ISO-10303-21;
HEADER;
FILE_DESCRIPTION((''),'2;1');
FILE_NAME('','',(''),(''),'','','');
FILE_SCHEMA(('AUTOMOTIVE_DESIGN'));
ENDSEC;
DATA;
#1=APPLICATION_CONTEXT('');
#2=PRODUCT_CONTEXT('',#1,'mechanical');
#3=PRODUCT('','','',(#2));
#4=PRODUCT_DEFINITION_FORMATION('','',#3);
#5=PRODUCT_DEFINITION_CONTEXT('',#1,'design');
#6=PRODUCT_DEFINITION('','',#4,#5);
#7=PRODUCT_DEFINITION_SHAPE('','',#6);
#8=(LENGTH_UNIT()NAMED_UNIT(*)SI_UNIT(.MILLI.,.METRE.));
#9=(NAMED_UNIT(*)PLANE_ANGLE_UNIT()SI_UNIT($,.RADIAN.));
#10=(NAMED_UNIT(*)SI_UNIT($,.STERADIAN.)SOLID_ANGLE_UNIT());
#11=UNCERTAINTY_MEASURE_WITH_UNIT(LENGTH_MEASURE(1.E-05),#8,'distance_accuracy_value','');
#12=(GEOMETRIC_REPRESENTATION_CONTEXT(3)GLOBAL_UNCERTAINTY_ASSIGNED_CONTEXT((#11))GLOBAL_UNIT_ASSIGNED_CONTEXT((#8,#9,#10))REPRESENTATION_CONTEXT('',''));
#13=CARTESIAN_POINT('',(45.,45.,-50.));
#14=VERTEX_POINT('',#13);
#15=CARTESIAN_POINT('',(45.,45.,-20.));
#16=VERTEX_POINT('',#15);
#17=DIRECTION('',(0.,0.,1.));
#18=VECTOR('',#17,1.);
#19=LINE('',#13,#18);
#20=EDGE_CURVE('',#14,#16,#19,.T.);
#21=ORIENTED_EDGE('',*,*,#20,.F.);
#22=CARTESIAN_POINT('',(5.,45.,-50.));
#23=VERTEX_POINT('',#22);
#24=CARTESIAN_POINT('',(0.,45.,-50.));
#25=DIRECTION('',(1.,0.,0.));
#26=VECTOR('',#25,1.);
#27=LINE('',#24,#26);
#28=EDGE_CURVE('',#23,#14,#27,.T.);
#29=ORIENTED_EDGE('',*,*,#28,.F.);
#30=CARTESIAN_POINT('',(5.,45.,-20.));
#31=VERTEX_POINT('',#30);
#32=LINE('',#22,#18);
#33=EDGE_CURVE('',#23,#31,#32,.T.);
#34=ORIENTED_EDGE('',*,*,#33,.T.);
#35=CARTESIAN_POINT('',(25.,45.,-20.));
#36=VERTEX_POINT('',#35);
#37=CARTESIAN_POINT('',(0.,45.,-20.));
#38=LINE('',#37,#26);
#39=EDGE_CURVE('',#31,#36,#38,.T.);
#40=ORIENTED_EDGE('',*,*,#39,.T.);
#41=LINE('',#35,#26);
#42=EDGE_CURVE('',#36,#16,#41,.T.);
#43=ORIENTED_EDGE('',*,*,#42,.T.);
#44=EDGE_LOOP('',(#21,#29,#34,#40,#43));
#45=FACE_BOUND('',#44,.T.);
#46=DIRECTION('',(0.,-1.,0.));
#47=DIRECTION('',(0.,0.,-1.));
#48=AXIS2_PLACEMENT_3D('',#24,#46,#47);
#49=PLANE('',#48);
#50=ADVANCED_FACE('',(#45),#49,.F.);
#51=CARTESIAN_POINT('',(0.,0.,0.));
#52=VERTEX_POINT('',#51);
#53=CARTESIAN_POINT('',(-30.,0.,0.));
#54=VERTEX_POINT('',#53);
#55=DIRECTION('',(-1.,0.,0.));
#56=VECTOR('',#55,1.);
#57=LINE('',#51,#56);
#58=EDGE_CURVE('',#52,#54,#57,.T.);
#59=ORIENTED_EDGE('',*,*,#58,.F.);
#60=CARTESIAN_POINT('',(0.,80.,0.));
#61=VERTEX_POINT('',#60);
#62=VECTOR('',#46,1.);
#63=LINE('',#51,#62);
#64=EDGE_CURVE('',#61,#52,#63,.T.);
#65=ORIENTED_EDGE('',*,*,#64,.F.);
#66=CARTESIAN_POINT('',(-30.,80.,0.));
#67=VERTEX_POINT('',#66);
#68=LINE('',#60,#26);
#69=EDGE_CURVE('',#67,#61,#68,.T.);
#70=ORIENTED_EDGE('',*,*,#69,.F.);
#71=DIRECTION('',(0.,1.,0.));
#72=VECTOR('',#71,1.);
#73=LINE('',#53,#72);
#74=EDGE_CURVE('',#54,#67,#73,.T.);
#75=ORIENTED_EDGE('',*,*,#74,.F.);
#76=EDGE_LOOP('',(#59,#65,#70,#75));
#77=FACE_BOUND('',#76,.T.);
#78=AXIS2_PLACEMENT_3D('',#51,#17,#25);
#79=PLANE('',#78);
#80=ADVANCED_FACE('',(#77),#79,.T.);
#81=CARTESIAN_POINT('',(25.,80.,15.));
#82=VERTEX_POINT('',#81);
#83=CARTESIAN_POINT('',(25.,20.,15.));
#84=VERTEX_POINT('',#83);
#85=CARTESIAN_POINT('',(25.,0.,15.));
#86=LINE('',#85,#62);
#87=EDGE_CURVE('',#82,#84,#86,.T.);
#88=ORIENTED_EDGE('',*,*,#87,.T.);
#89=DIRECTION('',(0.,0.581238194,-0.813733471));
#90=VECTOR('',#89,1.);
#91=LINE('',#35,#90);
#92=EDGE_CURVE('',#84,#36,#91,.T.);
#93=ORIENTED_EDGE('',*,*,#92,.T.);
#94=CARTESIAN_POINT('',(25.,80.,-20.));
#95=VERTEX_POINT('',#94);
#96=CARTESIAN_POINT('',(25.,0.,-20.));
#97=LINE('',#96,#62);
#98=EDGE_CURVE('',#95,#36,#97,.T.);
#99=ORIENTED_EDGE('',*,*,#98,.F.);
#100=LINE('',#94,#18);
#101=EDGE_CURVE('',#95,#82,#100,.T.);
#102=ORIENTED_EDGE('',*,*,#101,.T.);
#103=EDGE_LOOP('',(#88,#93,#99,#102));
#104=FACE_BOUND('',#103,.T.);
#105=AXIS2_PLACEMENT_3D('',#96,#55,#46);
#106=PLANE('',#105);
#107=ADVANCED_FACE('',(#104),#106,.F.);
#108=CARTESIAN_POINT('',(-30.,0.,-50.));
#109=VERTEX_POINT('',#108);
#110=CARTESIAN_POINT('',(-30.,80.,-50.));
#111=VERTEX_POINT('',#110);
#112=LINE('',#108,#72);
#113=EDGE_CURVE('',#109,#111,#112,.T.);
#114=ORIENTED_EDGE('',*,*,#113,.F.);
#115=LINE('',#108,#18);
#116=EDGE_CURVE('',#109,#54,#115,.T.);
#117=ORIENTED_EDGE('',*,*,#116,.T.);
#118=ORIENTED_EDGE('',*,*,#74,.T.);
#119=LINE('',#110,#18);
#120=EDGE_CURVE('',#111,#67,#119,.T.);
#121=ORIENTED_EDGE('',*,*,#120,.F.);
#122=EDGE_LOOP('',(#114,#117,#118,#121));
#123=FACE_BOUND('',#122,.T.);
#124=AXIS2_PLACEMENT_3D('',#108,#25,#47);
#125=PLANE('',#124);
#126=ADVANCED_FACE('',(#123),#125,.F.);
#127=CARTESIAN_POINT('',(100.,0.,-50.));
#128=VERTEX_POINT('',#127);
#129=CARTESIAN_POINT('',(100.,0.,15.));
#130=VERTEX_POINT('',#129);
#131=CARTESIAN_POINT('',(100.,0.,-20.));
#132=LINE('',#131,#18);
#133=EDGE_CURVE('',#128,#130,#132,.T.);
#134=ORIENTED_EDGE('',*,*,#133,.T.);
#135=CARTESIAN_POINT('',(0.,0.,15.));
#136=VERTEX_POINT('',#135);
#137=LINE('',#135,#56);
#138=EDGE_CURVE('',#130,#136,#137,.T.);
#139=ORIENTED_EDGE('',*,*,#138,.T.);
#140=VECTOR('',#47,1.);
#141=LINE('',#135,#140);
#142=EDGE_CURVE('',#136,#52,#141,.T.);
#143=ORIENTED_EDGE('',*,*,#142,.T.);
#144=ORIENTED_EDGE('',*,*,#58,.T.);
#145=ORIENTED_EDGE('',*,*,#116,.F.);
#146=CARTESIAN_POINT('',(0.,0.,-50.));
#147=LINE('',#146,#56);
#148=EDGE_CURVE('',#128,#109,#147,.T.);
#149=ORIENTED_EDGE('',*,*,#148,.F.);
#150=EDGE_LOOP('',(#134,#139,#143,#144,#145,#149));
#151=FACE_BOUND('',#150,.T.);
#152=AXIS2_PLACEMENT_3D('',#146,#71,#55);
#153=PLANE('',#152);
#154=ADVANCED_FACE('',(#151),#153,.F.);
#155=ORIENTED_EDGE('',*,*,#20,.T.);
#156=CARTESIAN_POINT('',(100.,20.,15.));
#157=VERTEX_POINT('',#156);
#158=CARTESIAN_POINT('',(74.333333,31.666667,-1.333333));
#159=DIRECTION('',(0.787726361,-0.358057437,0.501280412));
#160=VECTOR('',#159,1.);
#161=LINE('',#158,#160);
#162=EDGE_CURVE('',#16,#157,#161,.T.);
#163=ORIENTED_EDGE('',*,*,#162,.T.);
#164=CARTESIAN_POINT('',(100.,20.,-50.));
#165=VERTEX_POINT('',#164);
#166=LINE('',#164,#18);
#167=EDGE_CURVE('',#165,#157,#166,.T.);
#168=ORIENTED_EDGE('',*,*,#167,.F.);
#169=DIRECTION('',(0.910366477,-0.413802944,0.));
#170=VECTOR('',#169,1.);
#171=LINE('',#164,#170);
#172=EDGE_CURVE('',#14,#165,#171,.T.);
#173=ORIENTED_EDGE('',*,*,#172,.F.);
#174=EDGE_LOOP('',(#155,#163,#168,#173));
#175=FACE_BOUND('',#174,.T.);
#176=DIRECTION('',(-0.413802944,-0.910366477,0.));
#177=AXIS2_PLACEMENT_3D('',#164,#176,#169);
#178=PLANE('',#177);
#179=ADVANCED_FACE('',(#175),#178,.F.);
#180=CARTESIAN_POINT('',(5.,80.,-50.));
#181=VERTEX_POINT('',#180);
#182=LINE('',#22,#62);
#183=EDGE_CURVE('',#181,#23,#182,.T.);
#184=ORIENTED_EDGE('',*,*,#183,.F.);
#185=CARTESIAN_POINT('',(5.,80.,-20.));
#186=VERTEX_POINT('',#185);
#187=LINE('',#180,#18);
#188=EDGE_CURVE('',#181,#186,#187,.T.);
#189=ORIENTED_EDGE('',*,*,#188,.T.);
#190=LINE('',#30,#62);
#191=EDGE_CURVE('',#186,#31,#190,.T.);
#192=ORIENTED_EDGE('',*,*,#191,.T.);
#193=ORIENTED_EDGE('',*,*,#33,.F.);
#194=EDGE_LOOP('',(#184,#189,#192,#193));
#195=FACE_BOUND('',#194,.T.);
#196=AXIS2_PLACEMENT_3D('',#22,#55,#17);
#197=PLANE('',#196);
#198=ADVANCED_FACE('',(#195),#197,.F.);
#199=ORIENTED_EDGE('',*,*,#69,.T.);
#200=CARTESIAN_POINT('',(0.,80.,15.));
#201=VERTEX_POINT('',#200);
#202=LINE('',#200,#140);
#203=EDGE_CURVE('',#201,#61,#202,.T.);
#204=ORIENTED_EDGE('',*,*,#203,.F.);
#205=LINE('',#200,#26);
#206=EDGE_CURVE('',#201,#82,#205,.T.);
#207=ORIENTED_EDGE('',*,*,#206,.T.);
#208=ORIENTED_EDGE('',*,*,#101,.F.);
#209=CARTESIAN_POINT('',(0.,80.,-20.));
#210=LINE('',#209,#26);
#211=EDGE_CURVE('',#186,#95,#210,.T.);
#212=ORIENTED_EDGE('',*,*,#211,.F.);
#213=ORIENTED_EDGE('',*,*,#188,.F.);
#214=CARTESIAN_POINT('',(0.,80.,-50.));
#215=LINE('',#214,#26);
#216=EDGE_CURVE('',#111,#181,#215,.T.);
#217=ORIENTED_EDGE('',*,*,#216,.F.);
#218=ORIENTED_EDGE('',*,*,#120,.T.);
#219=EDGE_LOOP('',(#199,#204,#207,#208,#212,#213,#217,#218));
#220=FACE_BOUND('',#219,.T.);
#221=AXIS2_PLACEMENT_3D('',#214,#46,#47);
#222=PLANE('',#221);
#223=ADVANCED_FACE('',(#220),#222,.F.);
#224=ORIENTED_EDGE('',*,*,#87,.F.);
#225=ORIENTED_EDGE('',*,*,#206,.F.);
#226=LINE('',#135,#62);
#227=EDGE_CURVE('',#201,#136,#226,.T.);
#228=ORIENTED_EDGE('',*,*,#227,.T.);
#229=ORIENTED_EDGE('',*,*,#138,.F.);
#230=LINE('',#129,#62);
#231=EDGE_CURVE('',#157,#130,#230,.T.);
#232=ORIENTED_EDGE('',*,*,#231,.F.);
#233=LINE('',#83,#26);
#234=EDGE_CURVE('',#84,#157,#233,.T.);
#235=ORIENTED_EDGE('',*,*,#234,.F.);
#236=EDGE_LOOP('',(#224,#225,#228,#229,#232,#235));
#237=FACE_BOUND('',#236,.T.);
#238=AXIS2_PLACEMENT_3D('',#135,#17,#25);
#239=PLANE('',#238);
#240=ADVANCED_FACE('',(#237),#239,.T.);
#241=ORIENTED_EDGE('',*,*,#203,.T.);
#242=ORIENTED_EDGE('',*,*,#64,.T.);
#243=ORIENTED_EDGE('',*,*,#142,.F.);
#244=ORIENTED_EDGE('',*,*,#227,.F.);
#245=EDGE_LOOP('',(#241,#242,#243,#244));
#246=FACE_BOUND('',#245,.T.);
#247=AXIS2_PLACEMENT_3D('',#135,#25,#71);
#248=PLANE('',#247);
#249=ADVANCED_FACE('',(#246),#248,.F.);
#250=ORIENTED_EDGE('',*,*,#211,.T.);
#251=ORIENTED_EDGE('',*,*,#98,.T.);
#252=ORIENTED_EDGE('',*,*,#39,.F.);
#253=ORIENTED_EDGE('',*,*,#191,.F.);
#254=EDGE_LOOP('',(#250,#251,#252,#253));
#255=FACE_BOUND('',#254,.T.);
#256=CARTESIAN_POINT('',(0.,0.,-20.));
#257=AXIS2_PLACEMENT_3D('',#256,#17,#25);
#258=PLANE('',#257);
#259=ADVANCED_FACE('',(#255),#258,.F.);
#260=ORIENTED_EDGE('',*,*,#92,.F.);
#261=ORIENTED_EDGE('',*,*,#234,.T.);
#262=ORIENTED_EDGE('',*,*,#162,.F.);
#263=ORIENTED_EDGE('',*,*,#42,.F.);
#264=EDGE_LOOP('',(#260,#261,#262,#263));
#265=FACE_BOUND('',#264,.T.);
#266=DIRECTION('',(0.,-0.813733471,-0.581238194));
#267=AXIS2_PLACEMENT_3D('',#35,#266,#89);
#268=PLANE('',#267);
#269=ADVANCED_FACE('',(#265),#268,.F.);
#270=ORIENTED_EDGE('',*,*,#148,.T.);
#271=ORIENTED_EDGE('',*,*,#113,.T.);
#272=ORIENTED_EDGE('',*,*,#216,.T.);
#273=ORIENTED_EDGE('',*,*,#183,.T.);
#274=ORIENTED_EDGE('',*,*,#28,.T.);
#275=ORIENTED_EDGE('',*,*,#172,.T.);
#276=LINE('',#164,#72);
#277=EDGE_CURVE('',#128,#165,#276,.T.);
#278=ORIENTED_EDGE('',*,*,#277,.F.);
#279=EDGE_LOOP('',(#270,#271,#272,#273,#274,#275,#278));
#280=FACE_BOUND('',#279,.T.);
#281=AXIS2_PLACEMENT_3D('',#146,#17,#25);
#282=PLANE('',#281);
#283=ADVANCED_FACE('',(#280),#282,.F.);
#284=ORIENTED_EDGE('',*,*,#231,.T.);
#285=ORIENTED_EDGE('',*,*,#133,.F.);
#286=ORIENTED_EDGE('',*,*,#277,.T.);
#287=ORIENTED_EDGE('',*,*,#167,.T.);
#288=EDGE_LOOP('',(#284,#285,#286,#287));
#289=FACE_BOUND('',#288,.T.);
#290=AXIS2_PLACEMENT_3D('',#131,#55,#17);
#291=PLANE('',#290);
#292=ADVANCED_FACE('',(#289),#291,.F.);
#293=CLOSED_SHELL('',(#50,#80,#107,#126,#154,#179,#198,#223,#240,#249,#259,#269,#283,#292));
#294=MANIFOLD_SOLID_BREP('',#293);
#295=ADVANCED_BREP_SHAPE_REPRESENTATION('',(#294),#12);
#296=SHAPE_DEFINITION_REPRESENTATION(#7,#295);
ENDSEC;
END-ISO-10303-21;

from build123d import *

# Parameters (mm, degrees)
SKETCH1_W           = 30
SKETCH1_H           = 80
BOSS_EXTRUDE1_DEPTH = 50
BOSS_EXTRUDE2_DEPTH = 15
BOSS_EXTRUDE3_DEPTH = 20
SKETCH2_W           = 25
SKETCH2_H           = 45
BOSS_EXTRUDE4_DEPTH = 30
SKETCH3_W           = 75
SKETCH3_H           = 25
BOSS_EXTRUDE7_DEPTH = 65
SKETCH7_W           = 75
SKETCH7_H           = 20
BOSS_EXTRUDE8_DEPTH = 30
CUT_EXTRUDE6_DEPTH  = 144.614066163
CUT_EXTRUDE7_DEPTH  = 75
SKETCH11_W          = 5
SKETCH11_H          = 35
BOSS_EXTRUDE9_DEPTH = 30


with BuildPart() as part:
    # Sketch1 → Boss-Extrude1 (new body)
    with BuildSketch(Plane.XY):
        with Locations((-15, 40)):
            Rectangle(SKETCH1_W, SKETCH1_H)
    extrude(amount=-BOSS_EXTRUDE1_DEPTH)



with BuildPart() as body_2:
    # Sketch1<3> → Boss-Extrude2 (new body)
    with BuildSketch(Plane.XY):
        Polygon((0, 80), (0, 0), (100, 0), (100, 20), (25, 20), (25, 80), align=None)
    extrude(amount=BOSS_EXTRUDE2_DEPTH)


with BuildPart() as part_1:
    add(part.part)

    add(body_2.part)  # Boss-Extrude3 merges body 2
    # Sketch1<4> → Boss-Extrude3 (add)
    with BuildSketch(Plane.XY):
        Polygon((0, 80), (0, 0), (100, 0), (100, 20), (25, 20), (25, 80), align=None)
    extrude(amount=-BOSS_EXTRUDE3_DEPTH)

    # Sketch2 → Boss-Extrude4 (add)
    with BuildSketch(Plane(origin=(0, 0, -20), x_dir=(-1, 0, 0), z_dir=(0, 0, -1))):
        with Locations((-12.5, 22.5)):
            Rectangle(SKETCH2_W, SKETCH2_H)
    extrude(amount=BOSS_EXTRUDE4_DEPTH)

    # Sketch3 → Boss-Extrude7 (add)
    with BuildSketch(Plane.XY.offset(15)):
        with Locations((62.5, 32.5)):
            Rectangle(SKETCH3_W, SKETCH3_H)
    extrude(amount=-BOSS_EXTRUDE7_DEPTH)

    # Sketch7 → Boss-Extrude8 (add)
    with BuildSketch(Plane(origin=(0, 0, -20), x_dir=(-1, 0, 0), z_dir=(0, 0, -1))):
        with Locations((-62.5, 10)):
            Rectangle(SKETCH7_W, SKETCH7_H)
    extrude(amount=BOSS_EXTRUDE8_DEPTH)

    # Sketch8 → Cut-Extrude6 (cut, through all)
    with BuildSketch(Plane.XY.offset(15)):
        Polygon((100, 45), (100, 20), (45, 45), align=None)
    extrude(amount=-CUT_EXTRUDE6_DEPTH, mode=Mode.SUBTRACT)

    # Sketch9 → Cut-Extrude7 (cut)
    with BuildSketch(Plane(origin=(100, 0, 0), x_dir=(0, 0, -1), z_dir=(1, 0, 0))):
        Polygon((-15, 45), (20, 45), (-15, 20), align=None)
    extrude(amount=-CUT_EXTRUDE7_DEPTH, mode=Mode.SUBTRACT)

    # Sketch11 → Boss-Extrude9 (add)
    with BuildSketch(Plane(origin=(0, 0, -20), x_dir=(-1, 0, 0), z_dir=(0, 0, -1))):
        with Locations((-2.5, 62.5)):
            Rectangle(SKETCH11_W, SKETCH11_H)
    extrude(amount=BOSS_EXTRUDE9_DEPTH)


solid = part_1.part
